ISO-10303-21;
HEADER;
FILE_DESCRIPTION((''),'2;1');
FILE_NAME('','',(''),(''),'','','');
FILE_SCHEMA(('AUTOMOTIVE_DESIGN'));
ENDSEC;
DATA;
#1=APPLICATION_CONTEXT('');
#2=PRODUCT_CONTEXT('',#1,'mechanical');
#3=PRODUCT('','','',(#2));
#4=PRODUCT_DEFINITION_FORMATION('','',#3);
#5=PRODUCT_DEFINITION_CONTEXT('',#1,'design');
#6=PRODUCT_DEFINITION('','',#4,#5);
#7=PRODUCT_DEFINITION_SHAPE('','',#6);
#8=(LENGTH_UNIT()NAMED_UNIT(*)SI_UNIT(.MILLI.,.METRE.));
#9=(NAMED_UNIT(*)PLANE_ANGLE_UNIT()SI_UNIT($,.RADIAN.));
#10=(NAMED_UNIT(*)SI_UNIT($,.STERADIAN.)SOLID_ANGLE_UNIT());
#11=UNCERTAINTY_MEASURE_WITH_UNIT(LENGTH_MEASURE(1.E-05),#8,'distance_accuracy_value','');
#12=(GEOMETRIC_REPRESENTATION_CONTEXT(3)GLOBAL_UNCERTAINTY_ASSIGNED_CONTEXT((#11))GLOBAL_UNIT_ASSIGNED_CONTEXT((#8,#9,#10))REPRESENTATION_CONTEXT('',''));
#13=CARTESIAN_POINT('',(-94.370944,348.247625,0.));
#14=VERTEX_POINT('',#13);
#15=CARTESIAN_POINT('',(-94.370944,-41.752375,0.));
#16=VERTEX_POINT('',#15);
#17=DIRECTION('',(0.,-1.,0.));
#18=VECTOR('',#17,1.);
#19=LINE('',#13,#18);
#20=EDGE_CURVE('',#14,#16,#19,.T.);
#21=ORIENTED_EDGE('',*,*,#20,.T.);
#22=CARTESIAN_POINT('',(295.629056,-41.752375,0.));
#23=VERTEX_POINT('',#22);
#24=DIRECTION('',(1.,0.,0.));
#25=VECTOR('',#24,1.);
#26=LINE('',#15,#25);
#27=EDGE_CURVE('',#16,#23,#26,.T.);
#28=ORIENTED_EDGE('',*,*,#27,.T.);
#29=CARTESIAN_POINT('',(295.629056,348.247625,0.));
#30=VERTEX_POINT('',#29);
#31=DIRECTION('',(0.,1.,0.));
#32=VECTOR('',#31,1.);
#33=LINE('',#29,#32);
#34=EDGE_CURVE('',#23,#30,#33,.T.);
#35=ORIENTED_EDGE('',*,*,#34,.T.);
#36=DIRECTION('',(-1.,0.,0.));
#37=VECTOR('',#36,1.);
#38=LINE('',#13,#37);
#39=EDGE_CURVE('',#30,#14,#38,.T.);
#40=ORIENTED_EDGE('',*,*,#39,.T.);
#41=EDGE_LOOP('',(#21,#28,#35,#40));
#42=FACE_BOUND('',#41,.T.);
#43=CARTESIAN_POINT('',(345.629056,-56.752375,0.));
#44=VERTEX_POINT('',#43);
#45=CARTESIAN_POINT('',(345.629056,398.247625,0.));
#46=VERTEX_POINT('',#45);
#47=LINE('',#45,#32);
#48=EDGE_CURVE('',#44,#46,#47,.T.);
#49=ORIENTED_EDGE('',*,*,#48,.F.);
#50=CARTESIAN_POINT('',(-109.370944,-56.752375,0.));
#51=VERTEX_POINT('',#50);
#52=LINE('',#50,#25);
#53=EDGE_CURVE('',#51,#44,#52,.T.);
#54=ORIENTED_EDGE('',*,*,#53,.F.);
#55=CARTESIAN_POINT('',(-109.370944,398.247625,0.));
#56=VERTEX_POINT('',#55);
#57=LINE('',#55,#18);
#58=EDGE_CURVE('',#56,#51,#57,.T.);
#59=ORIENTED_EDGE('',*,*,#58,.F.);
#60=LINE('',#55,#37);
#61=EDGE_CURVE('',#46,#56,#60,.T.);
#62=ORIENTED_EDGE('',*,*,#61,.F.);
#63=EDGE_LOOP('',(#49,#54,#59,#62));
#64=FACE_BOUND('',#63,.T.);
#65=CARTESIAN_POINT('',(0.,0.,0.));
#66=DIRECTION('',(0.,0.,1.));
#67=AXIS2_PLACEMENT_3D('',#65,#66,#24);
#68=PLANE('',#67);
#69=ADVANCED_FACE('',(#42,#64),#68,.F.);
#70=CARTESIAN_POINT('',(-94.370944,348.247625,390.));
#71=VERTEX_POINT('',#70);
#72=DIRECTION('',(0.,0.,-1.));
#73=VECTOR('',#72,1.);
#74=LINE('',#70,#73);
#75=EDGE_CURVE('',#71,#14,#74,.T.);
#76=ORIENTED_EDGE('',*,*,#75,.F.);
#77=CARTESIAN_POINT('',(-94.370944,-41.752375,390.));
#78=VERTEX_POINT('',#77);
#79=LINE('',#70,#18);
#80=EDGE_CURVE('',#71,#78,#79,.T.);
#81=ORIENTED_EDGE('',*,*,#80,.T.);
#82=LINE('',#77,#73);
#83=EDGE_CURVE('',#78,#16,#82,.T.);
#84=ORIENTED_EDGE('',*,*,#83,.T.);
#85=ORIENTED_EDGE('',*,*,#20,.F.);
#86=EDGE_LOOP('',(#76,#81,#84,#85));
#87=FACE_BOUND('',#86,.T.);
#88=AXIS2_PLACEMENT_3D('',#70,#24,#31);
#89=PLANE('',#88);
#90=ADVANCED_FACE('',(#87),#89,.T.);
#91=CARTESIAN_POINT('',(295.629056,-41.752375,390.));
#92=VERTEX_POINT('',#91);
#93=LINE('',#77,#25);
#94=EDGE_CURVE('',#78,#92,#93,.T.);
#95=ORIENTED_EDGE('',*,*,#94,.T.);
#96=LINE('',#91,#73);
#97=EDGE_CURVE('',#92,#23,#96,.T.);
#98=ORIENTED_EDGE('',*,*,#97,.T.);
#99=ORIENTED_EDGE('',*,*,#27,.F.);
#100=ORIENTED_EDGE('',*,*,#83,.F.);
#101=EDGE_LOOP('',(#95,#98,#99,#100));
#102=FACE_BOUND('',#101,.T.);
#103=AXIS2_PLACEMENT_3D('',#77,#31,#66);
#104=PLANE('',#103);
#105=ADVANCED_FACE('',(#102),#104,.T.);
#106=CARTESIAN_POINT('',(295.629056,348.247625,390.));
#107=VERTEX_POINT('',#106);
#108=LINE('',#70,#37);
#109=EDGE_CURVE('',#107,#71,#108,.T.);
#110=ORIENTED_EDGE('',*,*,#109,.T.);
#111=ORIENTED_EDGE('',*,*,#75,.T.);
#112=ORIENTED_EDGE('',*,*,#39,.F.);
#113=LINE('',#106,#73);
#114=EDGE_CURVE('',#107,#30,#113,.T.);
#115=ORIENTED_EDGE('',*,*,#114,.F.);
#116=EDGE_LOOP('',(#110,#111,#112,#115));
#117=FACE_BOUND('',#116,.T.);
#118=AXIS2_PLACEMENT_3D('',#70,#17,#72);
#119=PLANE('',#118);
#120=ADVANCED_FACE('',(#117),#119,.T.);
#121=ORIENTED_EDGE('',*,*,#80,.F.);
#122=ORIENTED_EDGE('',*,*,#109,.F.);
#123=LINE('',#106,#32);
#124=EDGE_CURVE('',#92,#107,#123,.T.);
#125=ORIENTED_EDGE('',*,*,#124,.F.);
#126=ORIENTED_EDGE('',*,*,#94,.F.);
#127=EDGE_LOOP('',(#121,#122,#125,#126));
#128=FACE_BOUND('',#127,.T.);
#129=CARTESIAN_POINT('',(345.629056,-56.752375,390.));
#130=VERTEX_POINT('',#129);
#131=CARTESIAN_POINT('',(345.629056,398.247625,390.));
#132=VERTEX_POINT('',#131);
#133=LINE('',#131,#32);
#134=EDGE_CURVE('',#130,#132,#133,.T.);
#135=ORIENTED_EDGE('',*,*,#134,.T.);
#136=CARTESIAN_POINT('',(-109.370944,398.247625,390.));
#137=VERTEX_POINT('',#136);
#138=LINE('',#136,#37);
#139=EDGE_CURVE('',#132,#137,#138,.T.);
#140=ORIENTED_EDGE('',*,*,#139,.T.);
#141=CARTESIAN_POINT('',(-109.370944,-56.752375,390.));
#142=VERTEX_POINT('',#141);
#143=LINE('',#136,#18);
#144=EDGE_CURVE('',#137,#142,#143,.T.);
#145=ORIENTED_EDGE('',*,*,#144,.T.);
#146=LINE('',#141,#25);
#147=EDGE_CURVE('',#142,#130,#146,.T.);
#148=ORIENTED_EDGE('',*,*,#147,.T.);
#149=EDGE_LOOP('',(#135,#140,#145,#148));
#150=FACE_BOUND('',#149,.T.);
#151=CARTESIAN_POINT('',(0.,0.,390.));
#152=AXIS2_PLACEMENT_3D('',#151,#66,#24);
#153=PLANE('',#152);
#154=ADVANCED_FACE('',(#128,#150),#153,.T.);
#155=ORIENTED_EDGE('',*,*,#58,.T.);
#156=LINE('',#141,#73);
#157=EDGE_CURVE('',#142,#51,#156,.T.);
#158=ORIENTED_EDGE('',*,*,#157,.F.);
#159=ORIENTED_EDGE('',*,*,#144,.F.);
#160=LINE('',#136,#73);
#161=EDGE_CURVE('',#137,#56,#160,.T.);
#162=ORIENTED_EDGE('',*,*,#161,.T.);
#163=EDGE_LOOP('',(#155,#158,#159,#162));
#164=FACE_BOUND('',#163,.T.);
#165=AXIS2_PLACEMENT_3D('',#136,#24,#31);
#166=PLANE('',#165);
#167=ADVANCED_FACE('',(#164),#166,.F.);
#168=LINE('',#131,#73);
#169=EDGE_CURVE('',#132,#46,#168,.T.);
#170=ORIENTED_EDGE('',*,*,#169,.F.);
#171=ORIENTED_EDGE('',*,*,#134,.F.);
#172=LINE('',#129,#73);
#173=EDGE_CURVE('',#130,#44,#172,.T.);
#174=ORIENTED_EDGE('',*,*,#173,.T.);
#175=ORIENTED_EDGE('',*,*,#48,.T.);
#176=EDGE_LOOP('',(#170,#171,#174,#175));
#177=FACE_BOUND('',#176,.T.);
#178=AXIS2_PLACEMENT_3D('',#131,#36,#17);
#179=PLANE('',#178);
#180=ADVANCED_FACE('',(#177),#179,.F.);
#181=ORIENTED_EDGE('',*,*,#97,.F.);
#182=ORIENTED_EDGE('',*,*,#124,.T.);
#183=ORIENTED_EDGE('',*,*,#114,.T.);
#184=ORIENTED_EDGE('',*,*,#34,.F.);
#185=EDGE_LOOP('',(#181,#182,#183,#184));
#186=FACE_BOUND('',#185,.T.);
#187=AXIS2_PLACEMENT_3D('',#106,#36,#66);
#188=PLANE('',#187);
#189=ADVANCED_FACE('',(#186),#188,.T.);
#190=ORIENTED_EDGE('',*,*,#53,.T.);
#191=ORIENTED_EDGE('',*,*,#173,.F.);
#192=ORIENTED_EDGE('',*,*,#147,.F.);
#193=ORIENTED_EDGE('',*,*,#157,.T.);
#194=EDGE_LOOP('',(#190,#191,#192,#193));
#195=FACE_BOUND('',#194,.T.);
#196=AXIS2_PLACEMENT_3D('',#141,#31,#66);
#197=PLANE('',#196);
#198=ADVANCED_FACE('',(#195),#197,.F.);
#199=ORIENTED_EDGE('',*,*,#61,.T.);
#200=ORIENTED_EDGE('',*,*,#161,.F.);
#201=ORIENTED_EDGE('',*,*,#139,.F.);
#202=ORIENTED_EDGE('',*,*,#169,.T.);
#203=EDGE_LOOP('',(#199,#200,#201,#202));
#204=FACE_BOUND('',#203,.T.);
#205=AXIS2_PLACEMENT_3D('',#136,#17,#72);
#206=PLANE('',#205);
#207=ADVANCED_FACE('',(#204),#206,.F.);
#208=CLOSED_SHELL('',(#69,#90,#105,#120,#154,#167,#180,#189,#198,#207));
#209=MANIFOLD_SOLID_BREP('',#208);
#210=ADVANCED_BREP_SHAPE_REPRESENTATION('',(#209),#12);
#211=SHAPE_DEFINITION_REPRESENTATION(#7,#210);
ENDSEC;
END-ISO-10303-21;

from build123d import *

# Parameters (mm, degrees)
ESQUISSE1_W        = 455
ESQUISSE1_H        = 455
ESQUISSE1_W_2      = 390
ESQUISSE1_H_2      = 390
BOSS_EXTRU_1_DEPTH = 390


with BuildPart() as part:
    # Esquisse1 → Boss.-Extru.1 (new body)
    with BuildSketch(Plane.XY):
        with Locations((118.129055567, 170.747624559)):
            Rectangle(ESQUISSE1_W, ESQUISSE1_H)
        with Locations((100.629055567, 153.247624559)):
            Rectangle(ESQUISSE1_W_2, ESQUISSE1_H_2, mode=Mode.SUBTRACT)
    extrude(amount=BOSS_EXTRU_1_DEPTH)


solid = part.part
